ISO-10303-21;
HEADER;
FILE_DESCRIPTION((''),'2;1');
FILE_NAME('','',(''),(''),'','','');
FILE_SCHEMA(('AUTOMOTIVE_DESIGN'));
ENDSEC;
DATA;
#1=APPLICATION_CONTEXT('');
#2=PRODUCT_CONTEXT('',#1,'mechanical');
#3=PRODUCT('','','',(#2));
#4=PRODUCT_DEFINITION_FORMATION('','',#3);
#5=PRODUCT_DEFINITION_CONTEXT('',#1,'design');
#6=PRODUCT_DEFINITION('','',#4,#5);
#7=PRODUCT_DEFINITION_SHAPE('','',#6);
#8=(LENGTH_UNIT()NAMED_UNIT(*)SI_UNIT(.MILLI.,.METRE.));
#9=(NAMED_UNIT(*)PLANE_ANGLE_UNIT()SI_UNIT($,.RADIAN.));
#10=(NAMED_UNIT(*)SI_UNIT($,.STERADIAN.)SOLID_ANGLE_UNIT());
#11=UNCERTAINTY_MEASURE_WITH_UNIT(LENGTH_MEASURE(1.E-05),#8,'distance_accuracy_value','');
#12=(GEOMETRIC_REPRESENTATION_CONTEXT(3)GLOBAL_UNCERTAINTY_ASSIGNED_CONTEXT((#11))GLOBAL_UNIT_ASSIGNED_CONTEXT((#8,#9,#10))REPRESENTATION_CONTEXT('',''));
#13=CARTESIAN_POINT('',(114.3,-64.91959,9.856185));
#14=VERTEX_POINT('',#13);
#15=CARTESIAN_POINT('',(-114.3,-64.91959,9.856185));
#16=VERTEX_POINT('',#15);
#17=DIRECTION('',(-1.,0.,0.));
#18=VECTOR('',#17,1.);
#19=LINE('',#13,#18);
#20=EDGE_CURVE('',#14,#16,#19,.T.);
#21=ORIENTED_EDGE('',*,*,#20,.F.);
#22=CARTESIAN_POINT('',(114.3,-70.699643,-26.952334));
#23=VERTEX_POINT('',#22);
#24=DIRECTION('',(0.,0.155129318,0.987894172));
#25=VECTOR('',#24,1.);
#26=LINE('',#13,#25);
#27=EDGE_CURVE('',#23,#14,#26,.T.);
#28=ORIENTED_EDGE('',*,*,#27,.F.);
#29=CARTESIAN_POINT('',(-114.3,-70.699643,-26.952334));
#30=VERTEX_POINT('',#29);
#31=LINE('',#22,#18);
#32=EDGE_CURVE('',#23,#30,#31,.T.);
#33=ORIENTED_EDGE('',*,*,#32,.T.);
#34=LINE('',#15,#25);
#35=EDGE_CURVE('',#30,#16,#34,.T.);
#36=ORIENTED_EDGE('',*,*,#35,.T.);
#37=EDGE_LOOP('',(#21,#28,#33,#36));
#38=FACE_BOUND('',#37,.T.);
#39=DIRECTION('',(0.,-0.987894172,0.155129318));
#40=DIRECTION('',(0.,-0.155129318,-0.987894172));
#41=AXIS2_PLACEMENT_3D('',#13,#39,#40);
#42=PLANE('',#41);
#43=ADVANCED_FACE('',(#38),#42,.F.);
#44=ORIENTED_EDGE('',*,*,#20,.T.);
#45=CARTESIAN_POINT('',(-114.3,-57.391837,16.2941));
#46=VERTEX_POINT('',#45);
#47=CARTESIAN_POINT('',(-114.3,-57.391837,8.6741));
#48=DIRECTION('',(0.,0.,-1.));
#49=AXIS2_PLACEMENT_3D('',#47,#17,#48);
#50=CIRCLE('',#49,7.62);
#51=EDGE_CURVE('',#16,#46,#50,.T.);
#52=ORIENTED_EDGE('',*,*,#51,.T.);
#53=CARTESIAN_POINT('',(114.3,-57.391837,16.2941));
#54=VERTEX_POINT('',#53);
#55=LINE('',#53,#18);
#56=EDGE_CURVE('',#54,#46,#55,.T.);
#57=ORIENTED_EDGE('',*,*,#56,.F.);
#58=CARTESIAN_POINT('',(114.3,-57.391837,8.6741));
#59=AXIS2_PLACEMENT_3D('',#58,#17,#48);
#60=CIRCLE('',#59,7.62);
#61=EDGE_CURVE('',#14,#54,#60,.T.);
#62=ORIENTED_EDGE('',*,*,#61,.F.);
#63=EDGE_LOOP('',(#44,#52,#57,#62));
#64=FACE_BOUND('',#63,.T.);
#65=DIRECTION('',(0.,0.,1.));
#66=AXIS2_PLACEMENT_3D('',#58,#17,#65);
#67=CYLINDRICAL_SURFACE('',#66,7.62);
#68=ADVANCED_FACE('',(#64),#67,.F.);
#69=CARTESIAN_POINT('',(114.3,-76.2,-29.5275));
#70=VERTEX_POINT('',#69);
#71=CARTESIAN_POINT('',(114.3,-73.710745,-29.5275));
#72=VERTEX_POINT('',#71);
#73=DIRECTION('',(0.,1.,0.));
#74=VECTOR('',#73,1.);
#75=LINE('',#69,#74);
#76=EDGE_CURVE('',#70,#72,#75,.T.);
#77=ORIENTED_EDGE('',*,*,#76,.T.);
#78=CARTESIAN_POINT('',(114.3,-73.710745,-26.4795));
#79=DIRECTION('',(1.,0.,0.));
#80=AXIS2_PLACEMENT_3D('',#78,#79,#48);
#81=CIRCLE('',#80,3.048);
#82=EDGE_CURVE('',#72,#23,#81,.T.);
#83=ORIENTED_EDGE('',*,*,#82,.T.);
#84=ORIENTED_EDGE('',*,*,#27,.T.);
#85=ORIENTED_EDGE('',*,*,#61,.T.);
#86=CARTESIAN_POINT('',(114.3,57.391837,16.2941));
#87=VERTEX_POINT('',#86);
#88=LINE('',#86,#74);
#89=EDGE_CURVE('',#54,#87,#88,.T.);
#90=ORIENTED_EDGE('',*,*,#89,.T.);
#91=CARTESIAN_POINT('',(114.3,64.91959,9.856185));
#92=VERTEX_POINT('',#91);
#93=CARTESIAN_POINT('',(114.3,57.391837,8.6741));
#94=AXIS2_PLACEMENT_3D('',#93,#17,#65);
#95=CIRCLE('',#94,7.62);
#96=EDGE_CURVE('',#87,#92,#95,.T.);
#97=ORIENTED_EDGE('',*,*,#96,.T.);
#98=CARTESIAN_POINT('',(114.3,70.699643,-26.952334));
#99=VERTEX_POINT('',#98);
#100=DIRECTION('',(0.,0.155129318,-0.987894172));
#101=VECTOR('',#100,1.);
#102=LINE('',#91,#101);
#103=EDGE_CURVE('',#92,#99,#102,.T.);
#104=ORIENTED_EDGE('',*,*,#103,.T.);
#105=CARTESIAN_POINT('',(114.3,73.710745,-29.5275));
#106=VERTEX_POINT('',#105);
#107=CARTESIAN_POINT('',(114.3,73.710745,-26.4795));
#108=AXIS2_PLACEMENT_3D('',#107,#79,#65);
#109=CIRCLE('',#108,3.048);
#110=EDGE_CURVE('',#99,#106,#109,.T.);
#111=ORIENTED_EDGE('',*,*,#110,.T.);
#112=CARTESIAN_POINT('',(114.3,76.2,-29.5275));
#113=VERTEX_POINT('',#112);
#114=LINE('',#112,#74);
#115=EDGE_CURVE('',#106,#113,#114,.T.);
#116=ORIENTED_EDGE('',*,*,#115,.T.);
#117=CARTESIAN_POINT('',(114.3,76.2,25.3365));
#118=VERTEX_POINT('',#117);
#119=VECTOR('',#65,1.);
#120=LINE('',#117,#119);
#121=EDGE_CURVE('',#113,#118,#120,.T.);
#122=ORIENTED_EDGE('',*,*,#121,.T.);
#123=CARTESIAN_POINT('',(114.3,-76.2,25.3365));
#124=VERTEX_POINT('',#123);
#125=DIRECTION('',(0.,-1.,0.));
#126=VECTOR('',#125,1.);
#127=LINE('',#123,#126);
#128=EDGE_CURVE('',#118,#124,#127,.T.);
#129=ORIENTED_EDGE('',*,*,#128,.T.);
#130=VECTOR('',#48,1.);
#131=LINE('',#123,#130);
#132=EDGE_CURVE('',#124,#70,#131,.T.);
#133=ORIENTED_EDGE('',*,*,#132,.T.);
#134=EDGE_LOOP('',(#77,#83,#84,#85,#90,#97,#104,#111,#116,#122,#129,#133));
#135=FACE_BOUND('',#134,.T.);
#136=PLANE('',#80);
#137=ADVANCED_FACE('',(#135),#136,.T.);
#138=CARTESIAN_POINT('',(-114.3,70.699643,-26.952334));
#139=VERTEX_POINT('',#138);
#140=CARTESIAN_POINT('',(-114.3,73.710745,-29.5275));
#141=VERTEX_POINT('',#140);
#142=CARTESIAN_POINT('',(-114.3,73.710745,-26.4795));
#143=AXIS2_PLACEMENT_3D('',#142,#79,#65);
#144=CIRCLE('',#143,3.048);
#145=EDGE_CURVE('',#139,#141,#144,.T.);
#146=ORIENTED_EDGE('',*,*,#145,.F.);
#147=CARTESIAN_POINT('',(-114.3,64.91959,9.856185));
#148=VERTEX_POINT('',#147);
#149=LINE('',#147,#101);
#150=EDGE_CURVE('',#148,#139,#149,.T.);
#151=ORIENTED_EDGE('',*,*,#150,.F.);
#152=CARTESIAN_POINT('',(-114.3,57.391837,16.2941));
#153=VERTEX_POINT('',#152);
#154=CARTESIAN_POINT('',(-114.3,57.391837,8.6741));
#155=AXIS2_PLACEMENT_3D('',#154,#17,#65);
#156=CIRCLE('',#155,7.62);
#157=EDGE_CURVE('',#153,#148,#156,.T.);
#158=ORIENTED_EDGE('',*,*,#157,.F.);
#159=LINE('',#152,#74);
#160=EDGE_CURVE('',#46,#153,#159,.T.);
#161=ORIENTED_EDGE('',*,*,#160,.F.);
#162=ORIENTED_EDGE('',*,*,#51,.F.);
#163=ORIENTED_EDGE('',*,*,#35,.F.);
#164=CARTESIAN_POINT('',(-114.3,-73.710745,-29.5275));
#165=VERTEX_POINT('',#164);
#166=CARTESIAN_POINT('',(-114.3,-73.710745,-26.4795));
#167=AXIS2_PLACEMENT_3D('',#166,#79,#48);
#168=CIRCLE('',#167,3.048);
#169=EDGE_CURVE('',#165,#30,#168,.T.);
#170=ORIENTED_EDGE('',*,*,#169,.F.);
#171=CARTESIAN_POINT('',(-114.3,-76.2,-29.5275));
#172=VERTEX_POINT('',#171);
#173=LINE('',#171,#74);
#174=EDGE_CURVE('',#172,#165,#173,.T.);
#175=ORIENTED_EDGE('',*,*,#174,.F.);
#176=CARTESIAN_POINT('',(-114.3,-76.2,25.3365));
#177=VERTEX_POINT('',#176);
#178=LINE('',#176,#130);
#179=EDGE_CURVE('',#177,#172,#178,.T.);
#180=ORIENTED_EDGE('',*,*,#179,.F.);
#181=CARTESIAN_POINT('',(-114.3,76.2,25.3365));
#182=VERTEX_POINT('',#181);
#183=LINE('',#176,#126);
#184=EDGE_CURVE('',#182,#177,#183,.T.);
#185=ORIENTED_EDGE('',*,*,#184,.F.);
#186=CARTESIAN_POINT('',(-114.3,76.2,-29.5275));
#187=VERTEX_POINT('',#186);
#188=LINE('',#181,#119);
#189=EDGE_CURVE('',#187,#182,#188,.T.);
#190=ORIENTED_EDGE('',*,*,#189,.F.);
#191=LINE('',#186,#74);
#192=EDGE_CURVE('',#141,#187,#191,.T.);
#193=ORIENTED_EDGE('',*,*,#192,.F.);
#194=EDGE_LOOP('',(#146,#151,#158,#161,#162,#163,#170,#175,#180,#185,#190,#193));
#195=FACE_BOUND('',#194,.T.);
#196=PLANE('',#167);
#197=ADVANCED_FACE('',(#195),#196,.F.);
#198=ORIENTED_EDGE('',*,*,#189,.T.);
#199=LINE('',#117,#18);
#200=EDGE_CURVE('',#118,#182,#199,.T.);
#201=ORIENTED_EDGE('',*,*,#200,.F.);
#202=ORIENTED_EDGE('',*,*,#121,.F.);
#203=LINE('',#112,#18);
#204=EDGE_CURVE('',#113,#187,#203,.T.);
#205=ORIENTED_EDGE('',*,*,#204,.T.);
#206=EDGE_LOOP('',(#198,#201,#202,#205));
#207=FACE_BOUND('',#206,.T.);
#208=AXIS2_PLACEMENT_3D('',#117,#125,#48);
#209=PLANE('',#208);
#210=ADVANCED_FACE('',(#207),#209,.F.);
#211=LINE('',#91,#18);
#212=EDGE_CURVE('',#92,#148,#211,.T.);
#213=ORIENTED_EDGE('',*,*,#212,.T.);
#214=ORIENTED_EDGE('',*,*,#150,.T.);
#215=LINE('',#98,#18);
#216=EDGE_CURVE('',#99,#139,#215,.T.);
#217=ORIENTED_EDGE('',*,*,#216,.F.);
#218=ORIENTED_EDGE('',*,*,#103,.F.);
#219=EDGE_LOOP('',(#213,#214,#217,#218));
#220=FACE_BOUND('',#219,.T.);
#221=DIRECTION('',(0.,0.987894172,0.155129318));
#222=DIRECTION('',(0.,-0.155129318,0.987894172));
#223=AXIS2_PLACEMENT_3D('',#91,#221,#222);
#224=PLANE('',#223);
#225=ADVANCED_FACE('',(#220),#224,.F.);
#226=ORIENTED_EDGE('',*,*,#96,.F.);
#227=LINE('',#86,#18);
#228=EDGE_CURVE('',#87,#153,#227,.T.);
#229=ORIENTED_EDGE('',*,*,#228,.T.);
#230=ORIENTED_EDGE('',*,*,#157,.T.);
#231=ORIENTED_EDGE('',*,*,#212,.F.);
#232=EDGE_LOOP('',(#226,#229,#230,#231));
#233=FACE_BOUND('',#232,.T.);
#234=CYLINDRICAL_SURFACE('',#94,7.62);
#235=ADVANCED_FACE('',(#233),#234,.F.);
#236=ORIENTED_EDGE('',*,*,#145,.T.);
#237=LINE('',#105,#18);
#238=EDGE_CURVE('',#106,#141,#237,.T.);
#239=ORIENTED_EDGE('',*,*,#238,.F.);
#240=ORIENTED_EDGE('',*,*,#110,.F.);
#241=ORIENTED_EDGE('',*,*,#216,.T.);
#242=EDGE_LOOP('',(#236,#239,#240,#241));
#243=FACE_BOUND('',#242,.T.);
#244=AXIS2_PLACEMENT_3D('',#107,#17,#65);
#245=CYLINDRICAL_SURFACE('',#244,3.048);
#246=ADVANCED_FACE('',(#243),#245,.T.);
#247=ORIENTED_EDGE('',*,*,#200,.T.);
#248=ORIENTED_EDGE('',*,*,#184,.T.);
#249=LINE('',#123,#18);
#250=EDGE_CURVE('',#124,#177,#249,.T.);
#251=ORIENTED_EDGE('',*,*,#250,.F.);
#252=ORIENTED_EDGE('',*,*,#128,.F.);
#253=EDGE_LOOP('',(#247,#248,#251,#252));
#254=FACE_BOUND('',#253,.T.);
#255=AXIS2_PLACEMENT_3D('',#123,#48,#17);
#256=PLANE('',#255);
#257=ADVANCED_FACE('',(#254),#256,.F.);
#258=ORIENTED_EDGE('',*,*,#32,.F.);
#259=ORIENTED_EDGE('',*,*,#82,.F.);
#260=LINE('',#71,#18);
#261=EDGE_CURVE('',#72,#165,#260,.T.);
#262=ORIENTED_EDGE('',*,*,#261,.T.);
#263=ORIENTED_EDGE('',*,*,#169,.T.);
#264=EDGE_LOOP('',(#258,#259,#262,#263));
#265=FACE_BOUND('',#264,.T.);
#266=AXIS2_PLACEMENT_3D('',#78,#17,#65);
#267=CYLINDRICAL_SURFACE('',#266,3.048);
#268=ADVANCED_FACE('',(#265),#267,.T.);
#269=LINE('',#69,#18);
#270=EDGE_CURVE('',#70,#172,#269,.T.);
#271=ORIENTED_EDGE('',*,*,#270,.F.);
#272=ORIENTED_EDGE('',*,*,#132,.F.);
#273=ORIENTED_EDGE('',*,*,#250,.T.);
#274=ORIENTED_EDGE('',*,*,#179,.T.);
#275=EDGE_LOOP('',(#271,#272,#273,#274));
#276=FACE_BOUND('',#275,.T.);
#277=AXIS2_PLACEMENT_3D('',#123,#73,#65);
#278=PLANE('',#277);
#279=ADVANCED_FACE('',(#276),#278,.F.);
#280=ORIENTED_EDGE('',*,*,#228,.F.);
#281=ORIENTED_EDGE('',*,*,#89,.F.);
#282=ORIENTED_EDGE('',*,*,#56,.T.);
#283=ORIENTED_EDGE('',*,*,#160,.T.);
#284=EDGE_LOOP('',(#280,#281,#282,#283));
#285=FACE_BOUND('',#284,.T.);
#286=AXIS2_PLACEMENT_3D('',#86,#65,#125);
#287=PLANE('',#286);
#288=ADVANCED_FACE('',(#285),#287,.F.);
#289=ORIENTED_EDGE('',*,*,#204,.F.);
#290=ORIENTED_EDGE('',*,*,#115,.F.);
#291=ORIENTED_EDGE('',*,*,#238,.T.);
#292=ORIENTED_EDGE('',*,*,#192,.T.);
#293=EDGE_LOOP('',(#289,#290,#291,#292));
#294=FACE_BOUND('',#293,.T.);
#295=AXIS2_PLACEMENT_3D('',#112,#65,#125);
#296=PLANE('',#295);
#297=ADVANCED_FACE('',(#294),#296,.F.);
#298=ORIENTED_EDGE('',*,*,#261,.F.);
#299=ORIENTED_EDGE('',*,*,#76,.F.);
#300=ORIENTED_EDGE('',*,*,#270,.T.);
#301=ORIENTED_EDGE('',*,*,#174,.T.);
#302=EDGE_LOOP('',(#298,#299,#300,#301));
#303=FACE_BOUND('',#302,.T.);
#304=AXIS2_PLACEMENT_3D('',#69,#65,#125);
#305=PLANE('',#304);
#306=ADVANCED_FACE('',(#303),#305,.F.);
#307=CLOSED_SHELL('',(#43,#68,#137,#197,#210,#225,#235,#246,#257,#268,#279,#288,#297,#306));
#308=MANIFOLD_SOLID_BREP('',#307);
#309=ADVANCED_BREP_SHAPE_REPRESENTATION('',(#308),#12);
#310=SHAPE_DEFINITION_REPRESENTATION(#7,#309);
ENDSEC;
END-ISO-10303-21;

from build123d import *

# Parameters (mm, degrees)
BOSS_EXTRUDE1_DEPTH = 114.3


with BuildPart() as part:
    # Sketch1 → Boss-Extrude1 (new body, symmetric)
    with BuildSketch(Plane(origin=(0, 0, 0), x_dir=(0, 0, -1), z_dir=(1, 0, 0))):
        with BuildLine():
            Line((-25.3365, -76.2), (-25.3365, 76.2))
            Line((-25.3365, 76.2), (29.5275, 76.2))
            Line((29.5275, 76.2), (29.5275, 73.710744653))
            ThreePointArc((29.5275, 73.710744653), (28.795909131, 71.72969626), (26.952334163, 70.699643218))
            Line((26.952334163, 70.699643218), (-9.856185406, 64.919590337))
            ThreePointArc((-9.856185406, 64.919590337), (-14.465122828, 62.344457732), (-16.2941, 57.391836749))
            Line((-16.2941, 57.391836749), (-16.2941, -57.391836749))
            ThreePointArc((-16.2941, -57.391836749), (-14.465122828, -62.344457732), (-9.856185406, -64.919590337))
            Line((-9.856185406, -64.919590337), (26.952334163, -70.699643218))
            ThreePointArc((26.952334163, -70.699643218), (28.795909131, -71.72969626), (29.5275, -73.710744653))
            Line((29.5275, -73.710744653), (29.5275, -76.2))
            Line((29.5275, -76.2), (-25.3365, -76.2))
        make_face()
    extrude(amount=BOSS_EXTRUDE1_DEPTH, both=True)


solid = part.part
